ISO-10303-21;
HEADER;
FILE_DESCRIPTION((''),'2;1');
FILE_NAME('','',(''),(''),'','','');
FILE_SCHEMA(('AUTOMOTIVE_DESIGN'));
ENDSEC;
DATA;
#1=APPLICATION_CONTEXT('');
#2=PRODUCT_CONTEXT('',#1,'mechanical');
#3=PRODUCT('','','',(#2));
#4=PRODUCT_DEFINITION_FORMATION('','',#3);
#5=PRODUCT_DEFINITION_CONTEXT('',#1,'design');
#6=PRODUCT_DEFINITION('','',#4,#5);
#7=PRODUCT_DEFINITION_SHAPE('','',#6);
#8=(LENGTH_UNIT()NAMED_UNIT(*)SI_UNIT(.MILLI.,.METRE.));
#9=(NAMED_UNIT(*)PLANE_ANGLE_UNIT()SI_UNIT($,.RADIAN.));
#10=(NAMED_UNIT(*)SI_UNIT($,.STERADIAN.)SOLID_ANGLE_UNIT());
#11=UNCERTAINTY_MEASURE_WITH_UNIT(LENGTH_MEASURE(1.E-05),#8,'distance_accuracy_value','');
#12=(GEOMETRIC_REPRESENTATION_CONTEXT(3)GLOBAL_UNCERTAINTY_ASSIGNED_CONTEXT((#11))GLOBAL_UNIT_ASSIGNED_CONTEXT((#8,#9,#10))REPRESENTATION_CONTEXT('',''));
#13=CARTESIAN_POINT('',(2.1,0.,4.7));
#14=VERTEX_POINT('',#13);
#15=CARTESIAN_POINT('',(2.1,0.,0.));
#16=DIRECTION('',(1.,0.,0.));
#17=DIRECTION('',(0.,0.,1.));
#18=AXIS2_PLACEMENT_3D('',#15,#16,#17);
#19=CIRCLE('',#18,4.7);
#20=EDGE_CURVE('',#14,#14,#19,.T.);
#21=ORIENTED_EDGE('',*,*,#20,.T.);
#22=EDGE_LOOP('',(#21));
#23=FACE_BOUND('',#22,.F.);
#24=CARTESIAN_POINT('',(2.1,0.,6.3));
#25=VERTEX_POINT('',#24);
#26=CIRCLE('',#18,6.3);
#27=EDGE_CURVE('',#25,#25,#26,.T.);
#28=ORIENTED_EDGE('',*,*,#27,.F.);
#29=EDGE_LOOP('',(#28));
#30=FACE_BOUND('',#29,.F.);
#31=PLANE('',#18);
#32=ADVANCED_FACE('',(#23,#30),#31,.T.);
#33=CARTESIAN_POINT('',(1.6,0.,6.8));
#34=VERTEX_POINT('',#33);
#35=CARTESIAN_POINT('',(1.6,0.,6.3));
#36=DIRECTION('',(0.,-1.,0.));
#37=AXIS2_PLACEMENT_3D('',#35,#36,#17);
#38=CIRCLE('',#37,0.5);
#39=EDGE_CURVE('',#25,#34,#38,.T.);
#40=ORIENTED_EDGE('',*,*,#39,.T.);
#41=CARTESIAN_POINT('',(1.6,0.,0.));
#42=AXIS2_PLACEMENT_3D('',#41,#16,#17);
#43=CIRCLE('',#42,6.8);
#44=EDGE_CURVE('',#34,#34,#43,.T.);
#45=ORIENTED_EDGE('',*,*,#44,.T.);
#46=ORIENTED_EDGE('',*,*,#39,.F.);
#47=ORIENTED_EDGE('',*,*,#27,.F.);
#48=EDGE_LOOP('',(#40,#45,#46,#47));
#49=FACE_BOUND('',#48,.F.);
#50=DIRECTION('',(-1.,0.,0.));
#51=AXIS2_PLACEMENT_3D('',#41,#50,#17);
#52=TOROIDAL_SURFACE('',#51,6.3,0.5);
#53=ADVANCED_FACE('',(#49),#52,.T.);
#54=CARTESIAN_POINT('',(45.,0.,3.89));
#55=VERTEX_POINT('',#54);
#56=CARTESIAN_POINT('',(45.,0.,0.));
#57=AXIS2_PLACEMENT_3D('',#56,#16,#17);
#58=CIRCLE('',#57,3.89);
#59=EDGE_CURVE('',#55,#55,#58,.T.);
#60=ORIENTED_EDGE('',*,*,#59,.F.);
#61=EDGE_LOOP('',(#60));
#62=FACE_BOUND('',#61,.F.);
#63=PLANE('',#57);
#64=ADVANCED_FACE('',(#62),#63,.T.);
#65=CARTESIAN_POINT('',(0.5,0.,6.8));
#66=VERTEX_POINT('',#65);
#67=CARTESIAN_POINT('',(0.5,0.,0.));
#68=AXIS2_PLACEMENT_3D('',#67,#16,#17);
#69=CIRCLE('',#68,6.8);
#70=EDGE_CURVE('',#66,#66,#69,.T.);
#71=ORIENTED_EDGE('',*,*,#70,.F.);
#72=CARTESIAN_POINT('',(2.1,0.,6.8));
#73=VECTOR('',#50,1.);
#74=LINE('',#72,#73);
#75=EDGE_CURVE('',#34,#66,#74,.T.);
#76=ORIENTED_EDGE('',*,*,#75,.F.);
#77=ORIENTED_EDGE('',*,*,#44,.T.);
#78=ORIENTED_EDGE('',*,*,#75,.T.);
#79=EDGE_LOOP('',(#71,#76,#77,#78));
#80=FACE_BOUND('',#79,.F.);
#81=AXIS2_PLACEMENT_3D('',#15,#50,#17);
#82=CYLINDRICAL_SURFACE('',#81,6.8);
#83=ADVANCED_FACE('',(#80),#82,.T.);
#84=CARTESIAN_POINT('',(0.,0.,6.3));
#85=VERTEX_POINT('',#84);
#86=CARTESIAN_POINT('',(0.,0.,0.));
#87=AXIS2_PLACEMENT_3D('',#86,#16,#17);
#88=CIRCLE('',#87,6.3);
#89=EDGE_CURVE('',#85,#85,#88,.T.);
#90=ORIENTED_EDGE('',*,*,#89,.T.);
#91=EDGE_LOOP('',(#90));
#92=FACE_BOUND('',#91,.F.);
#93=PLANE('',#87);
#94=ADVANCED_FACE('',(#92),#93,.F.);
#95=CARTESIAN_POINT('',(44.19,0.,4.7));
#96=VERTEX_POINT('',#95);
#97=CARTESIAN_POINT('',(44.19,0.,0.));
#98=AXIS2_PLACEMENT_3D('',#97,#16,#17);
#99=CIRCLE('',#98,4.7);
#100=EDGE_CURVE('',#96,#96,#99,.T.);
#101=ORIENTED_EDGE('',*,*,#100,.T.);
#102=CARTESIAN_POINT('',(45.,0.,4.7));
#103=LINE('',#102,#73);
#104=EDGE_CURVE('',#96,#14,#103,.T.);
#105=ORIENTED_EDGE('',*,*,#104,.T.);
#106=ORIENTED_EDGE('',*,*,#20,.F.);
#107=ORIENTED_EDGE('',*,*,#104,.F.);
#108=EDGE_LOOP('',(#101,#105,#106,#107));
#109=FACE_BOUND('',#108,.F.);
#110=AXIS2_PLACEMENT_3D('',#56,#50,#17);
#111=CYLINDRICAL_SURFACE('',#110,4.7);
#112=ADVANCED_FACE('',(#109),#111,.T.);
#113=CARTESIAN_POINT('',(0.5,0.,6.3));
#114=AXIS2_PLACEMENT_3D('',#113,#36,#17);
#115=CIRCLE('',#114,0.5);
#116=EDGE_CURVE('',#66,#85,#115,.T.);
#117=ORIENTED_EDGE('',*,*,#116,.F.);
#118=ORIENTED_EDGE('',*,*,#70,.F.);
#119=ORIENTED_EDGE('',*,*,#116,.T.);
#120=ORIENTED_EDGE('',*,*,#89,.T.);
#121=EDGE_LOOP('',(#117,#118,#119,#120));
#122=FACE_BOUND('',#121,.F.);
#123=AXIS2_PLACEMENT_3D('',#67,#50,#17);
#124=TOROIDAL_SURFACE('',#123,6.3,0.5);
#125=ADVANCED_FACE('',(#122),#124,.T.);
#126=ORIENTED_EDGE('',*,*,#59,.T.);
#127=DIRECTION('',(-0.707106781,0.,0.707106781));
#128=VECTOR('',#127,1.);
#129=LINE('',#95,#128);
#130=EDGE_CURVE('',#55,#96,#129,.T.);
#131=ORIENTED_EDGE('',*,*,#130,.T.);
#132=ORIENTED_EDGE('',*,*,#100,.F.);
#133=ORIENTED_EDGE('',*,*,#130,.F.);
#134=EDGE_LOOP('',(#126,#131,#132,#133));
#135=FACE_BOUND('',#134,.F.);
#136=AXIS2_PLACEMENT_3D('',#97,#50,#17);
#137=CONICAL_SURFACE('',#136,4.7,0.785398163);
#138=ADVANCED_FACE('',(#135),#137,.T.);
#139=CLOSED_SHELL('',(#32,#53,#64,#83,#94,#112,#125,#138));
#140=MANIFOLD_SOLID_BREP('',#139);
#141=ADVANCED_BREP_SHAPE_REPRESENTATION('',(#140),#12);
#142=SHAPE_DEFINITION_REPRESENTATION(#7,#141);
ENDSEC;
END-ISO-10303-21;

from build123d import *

# Parameters (mm, degrees)
F2_SIZE2 = 0.81
F2_SIZE  = 0.81
F3_R     = 0.5


with BuildPart() as f1:
    # F0 (on Front) → F1 (revolve)
    with BuildSketch(Plane.XZ):
        Polygon((0, 6.8), (0, 0), (45, 0), (45, 4.7), (2.1, 4.7), (2.1, 6.8), align=None)
    revolve(axis=Axis((22.5, 0, 0), (1, 0, 0)))

    # F2
    f2_edges = [f1.edges().sort_by_distance(p)[0] for p in [
        (45, 0, -4.7),
    ]]
    chamfer(f2_edges, length=F2_SIZE, length2=F2_SIZE2)

    # F3
    f3_edges = [f1.edges().sort_by_distance(p)[0] for p in [
        (2.1, 0, -6.8),
        (0, 0, -6.8),
        (1.05, 0, 6.8),
    ]]
    fillet(f3_edges, radius=F3_R)


solid = f1.part
